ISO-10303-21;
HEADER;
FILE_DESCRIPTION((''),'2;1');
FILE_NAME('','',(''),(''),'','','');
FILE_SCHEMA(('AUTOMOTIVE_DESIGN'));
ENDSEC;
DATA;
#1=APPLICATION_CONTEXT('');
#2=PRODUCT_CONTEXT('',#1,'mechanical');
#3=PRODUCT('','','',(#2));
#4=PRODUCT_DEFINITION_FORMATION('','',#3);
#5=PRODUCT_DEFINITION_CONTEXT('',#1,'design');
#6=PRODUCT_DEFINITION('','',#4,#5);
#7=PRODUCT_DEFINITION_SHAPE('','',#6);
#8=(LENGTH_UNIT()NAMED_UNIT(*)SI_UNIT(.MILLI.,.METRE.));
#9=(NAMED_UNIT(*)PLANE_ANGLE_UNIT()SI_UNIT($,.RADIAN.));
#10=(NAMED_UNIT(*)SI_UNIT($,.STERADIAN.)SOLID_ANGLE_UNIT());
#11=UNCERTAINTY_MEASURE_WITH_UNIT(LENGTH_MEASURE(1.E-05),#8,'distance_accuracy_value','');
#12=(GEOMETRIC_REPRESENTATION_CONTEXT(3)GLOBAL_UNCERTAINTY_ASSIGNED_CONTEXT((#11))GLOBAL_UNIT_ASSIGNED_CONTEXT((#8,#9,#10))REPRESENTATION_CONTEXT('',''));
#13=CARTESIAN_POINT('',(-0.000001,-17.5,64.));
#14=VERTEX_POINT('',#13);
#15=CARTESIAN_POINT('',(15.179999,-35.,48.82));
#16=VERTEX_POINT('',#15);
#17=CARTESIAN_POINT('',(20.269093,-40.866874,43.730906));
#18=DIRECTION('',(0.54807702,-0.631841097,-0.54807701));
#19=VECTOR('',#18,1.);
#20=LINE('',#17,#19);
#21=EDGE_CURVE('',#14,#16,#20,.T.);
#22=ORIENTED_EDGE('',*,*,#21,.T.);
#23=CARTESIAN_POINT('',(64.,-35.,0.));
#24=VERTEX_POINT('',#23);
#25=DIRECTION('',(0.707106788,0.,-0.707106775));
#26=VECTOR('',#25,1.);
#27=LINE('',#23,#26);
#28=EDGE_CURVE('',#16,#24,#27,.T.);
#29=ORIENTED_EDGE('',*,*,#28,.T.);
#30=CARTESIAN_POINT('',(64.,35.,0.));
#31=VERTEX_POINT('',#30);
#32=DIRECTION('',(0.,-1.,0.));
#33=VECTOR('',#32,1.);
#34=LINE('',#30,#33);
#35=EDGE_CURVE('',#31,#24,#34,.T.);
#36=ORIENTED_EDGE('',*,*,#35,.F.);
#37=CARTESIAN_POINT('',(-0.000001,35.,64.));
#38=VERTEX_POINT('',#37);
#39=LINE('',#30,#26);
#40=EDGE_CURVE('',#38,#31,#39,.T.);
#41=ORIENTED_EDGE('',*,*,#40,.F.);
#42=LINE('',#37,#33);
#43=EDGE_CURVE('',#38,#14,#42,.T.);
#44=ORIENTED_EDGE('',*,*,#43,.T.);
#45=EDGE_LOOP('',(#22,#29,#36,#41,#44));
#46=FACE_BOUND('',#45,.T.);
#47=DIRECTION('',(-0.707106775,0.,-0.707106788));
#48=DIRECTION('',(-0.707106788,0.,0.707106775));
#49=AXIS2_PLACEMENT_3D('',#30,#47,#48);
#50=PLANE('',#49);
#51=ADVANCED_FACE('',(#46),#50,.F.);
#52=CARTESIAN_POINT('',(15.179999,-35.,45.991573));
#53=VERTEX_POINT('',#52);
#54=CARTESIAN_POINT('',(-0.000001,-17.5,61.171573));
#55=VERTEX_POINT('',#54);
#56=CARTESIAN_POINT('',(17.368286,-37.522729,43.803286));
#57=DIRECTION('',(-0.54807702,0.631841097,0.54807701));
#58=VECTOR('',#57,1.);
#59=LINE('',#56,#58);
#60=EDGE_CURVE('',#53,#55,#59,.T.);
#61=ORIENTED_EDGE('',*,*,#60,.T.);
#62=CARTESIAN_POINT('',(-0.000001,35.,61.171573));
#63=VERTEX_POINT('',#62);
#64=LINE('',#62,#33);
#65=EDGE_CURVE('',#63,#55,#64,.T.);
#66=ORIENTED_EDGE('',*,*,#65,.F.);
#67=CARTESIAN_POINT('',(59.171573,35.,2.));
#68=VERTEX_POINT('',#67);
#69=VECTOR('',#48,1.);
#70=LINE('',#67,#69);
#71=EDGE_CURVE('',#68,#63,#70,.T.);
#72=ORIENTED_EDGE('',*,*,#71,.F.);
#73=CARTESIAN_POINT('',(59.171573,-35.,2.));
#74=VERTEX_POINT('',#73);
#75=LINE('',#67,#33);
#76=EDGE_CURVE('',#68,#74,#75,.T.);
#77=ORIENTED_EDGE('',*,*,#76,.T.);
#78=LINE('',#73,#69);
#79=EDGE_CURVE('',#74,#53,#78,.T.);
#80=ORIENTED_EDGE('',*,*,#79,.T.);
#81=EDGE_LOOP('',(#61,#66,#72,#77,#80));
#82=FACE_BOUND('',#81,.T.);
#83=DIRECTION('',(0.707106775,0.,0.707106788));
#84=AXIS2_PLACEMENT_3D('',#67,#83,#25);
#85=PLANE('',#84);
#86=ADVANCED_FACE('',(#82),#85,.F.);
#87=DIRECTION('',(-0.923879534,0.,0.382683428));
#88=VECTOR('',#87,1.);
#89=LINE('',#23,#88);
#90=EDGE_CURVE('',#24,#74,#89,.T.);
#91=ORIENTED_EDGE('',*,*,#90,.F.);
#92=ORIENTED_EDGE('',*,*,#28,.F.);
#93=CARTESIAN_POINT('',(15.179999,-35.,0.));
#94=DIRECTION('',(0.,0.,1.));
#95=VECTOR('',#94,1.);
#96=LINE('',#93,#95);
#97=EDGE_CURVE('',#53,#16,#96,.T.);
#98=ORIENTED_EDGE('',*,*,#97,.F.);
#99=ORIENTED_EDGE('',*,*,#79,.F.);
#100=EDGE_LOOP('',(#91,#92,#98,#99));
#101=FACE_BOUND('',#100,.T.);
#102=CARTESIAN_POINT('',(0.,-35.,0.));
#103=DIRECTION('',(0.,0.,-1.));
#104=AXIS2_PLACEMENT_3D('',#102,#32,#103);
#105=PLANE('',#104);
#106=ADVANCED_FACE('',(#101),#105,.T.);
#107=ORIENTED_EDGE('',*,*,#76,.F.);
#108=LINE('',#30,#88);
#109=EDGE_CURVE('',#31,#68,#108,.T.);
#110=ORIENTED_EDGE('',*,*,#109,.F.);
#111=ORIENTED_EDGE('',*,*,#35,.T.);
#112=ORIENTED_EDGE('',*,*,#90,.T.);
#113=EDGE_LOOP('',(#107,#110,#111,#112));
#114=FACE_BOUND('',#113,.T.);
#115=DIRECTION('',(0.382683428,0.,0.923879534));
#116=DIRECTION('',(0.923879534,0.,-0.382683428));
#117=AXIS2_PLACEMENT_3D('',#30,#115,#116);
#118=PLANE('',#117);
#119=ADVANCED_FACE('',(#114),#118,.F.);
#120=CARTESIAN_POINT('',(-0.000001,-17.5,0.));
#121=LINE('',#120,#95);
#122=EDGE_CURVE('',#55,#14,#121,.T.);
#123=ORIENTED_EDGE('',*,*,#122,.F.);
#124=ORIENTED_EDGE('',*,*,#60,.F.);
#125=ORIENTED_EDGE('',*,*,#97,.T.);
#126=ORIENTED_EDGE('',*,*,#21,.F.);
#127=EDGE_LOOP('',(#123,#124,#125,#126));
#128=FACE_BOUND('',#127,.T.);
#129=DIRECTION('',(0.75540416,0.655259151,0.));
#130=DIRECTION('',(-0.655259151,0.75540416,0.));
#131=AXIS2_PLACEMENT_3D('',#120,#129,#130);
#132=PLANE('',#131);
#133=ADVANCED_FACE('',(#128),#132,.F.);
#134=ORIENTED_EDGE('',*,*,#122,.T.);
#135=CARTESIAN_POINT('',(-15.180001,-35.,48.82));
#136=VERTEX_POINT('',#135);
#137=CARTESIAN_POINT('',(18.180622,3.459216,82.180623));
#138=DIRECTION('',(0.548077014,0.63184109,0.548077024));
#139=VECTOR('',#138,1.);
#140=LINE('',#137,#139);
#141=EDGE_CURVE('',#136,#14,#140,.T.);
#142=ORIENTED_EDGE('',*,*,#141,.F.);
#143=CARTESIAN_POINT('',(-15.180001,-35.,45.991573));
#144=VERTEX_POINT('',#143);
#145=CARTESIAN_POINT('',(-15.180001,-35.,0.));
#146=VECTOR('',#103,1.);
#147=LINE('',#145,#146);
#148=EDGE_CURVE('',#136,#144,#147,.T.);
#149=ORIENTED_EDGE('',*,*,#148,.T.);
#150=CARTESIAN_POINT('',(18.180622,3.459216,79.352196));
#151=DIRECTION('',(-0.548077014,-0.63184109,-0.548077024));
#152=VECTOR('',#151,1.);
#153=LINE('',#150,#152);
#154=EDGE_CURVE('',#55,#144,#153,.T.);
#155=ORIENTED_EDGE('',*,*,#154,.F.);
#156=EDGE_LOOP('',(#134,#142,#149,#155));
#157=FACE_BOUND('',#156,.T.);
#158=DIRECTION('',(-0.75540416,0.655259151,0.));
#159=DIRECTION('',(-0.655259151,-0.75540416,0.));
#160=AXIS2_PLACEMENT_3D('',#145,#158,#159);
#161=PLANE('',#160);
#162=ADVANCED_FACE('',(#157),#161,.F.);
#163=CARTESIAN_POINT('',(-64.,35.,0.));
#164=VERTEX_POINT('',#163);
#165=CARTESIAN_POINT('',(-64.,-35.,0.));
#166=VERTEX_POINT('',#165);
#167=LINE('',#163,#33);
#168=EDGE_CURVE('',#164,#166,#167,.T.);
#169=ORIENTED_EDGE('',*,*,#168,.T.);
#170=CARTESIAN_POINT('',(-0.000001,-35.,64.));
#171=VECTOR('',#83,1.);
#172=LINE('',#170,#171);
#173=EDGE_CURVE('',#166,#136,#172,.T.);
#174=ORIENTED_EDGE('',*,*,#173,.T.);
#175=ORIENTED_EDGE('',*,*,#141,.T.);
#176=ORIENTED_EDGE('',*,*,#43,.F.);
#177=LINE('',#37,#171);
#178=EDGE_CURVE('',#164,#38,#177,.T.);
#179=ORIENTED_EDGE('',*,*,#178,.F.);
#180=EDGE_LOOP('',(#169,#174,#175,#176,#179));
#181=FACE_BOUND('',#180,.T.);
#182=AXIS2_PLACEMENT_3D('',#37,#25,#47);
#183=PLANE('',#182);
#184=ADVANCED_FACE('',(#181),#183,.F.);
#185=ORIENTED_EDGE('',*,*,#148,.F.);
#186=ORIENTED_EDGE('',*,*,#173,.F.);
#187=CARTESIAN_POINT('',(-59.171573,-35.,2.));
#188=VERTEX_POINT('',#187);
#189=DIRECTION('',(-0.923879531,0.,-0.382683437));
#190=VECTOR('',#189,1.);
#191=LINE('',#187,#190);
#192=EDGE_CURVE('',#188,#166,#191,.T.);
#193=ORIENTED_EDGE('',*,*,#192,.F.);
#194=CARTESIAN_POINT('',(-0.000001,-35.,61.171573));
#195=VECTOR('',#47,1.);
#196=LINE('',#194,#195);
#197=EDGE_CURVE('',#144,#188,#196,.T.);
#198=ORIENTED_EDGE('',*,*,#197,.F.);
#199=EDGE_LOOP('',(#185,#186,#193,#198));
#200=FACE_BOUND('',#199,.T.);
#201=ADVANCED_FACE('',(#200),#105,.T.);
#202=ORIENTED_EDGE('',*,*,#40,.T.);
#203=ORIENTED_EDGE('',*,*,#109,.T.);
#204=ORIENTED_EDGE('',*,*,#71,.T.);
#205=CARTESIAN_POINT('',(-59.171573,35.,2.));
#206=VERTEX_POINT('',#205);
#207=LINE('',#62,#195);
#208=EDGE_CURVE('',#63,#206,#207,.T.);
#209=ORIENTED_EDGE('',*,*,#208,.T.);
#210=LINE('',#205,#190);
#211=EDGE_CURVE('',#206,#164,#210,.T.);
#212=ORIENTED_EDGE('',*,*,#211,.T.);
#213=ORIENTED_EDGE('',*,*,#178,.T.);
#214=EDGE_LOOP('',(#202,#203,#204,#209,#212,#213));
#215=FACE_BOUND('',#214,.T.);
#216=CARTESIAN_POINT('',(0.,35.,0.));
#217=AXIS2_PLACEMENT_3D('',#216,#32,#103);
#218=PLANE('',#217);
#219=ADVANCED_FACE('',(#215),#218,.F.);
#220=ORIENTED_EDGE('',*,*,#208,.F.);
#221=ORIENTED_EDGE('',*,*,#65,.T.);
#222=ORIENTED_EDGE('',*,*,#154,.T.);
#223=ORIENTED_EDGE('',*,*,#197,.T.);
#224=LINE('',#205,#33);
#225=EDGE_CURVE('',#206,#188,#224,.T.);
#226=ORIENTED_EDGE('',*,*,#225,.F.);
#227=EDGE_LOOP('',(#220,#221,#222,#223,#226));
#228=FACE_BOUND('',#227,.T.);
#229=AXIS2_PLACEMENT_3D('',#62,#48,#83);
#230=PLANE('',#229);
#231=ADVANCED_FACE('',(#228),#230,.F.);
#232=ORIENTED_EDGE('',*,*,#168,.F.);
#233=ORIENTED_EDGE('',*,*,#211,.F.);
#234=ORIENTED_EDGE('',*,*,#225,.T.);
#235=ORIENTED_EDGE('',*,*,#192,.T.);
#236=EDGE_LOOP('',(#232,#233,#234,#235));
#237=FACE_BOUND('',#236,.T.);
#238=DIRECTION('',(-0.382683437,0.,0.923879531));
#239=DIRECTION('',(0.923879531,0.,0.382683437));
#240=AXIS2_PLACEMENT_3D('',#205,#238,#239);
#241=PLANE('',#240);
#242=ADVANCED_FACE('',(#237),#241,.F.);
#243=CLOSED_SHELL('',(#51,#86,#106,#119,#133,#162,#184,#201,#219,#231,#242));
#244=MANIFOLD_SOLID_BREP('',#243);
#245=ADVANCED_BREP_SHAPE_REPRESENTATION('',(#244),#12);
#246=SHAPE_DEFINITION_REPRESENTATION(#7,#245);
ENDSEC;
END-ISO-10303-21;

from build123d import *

# Parameters (mm, degrees)
BOSS_EXTRUDE1_DEPTH     = 35
CUT_EXTRUDE3_DEPTH      = 96.198576189
CUT_EXTRUDE3_DEPTH_BACK = 96.198576189


with BuildPart() as part:
    # Sketch1 → Boss-Extrude1 (new, symmetric)
    with BuildSketch(Plane(origin=(0, 0, 0), x_dir=(1, 0, 0), z_dir=(0, 1, 0))):
        Polygon((-1.105e-06, -61.171572908), (-59.171572937, -2), (-64, 0), (-1.131e-06, -64.000000033), (64.000000066, 0), (59.171572879, -2), align=None)
    extrude(amount=BOSS_EXTRUDE1_DEPTH, both=True)

    # Sketch4 → Cut-Extrude3 (cut, two sides: drawn at the far end of the back side and taken through both)
    with BuildSketch(Plane.XY.offset(61.17).offset(-CUT_EXTRUDE3_DEPTH_BACK)):
        Polygon((-15.180001131, -35), (15.179998869, -35), (-1.131e-06, -17.5), align=None)
    extrude(amount=CUT_EXTRUDE3_DEPTH + CUT_EXTRUDE3_DEPTH_BACK, mode=Mode.SUBTRACT)


solid = part.part
